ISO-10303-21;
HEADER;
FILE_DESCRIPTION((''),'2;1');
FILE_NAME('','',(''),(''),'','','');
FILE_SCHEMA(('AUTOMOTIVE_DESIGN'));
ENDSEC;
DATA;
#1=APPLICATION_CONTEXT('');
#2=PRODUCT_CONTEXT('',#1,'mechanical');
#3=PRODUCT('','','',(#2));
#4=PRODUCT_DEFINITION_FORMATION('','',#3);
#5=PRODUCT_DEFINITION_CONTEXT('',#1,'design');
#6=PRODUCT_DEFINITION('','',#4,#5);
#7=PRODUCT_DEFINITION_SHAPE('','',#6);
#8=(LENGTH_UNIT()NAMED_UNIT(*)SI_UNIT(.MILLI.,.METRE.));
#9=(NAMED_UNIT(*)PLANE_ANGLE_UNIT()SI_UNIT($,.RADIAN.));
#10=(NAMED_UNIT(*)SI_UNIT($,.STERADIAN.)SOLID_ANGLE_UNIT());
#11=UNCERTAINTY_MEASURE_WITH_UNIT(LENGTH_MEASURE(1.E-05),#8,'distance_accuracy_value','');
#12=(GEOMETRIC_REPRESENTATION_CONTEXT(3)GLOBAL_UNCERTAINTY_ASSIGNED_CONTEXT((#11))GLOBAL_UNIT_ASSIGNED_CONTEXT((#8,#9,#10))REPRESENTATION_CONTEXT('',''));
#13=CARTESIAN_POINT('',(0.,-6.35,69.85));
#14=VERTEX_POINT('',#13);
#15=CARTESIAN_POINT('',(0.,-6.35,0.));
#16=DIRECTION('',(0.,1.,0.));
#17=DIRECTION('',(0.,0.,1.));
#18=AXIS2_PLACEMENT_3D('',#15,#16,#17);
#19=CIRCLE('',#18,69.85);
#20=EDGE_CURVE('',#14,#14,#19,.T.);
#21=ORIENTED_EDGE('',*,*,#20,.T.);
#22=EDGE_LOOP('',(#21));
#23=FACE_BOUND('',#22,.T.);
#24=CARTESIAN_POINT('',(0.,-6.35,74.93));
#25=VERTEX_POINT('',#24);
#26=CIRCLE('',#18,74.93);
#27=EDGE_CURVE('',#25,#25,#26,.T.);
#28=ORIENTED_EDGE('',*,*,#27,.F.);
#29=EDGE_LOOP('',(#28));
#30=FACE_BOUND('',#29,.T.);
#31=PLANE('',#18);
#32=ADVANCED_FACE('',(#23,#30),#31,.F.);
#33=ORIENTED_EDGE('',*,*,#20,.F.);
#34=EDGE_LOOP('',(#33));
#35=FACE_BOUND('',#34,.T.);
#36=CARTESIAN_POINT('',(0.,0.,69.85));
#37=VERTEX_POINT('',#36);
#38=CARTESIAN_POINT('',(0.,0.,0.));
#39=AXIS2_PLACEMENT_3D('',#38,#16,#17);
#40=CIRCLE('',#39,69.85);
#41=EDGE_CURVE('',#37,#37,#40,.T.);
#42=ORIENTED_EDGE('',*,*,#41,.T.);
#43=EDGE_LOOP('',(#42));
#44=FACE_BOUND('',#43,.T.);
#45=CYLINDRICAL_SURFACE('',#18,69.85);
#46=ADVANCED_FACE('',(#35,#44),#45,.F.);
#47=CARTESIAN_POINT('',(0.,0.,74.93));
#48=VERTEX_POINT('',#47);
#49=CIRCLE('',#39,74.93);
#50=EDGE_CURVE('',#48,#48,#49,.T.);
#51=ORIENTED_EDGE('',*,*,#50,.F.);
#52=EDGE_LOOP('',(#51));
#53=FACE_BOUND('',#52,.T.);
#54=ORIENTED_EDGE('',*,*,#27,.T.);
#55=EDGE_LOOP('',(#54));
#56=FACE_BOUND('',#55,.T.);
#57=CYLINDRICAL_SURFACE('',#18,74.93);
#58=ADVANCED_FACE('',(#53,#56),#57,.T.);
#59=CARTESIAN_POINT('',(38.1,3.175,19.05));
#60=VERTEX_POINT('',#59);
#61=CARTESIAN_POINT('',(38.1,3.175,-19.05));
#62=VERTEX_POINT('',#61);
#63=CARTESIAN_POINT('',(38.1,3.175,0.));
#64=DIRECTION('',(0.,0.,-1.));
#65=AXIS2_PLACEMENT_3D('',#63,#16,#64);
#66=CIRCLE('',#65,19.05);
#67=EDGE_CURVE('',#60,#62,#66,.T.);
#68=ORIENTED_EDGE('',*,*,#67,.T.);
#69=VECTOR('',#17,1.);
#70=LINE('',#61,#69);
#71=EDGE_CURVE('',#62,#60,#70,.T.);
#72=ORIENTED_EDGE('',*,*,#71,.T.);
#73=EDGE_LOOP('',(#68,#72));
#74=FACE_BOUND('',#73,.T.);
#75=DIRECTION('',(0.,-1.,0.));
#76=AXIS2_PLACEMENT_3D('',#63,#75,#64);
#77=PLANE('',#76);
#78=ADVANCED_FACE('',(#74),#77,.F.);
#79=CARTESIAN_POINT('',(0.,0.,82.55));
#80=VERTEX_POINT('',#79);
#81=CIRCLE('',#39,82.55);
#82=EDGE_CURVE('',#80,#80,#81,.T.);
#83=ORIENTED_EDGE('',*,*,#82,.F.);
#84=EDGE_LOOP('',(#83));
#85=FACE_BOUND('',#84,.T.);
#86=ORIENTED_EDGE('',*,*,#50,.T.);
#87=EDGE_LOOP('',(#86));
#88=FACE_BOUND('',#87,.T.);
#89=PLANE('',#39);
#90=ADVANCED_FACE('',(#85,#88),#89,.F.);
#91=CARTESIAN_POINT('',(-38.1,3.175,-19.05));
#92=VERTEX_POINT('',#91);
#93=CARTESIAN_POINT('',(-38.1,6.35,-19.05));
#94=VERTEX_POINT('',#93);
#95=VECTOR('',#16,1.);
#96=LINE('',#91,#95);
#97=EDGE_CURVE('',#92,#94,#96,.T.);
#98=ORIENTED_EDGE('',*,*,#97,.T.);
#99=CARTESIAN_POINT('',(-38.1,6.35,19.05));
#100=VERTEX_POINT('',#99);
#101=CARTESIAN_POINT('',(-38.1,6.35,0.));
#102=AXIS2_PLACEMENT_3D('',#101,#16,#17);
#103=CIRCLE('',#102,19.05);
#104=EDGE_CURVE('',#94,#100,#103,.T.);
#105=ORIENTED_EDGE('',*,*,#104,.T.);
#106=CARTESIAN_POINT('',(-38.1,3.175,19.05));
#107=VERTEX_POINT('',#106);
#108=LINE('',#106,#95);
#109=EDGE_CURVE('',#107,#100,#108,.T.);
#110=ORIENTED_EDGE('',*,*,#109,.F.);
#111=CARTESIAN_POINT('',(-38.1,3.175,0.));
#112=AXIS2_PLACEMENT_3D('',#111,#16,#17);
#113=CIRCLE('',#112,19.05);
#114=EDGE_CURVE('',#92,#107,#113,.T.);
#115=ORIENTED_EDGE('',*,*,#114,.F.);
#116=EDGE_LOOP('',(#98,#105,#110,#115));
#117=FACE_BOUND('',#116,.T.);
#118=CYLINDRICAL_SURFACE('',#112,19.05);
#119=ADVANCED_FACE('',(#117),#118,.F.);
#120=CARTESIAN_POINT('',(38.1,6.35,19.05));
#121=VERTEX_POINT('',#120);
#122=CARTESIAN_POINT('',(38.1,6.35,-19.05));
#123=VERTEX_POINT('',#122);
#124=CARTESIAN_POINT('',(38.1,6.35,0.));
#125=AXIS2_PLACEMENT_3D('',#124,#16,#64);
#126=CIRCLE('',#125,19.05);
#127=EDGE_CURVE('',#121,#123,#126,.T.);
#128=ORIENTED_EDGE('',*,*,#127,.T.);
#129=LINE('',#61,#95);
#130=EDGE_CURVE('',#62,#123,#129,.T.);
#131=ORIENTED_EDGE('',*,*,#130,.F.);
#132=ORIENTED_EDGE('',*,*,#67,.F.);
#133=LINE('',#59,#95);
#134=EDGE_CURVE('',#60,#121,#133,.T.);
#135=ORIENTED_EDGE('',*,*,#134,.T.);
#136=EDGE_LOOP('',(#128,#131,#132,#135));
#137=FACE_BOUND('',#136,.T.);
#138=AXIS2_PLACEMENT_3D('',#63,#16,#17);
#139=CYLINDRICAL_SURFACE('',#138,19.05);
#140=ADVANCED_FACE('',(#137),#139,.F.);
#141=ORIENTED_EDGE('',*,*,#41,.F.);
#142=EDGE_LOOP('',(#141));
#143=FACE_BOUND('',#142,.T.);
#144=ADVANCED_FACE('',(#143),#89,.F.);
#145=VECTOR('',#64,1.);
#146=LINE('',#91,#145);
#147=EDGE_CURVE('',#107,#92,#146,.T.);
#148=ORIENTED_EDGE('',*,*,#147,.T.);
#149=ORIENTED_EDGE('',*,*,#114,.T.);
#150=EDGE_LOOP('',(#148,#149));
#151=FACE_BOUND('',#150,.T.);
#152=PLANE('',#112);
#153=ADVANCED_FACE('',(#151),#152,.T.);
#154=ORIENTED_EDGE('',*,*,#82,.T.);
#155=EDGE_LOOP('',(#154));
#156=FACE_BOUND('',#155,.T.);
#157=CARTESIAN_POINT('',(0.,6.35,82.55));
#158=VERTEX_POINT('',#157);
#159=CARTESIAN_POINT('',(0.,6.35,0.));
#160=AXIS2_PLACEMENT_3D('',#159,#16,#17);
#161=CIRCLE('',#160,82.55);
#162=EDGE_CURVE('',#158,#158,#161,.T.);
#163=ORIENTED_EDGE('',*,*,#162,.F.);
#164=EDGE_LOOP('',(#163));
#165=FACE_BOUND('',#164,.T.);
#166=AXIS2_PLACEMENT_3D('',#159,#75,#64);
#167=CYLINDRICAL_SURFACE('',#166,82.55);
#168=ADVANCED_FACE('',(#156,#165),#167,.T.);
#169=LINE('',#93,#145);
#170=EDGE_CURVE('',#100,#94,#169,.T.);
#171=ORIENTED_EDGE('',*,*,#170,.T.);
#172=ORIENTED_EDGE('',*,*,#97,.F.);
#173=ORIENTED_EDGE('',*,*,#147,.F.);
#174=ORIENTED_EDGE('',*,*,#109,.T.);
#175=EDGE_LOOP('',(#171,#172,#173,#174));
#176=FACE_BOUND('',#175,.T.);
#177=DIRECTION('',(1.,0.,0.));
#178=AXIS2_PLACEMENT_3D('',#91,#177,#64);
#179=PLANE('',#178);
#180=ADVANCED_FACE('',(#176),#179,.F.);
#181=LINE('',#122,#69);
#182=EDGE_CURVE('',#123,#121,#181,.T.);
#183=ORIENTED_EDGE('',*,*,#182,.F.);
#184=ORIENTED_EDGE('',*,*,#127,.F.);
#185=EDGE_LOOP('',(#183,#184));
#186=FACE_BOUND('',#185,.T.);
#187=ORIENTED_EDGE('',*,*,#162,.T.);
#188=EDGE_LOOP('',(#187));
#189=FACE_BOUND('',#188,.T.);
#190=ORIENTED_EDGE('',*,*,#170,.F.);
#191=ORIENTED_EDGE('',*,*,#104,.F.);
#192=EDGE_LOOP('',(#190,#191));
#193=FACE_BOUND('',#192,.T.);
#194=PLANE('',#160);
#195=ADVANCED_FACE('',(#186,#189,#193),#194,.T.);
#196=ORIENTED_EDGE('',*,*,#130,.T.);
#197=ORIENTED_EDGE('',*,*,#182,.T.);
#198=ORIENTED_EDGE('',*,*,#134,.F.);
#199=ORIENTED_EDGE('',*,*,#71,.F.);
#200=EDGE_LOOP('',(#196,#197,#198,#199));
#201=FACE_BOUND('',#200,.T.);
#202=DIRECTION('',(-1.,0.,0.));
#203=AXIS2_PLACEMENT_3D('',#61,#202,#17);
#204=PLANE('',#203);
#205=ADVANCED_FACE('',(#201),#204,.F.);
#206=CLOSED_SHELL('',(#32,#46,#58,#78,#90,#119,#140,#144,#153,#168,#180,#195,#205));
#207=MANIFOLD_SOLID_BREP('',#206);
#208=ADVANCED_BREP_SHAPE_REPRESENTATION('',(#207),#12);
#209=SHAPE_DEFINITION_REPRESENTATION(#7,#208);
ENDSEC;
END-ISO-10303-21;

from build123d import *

# Parameters (mm, degrees)
SKETCH1_R           = 82.55
BOSS_EXTRUDE2_DEPTH = 6.35
SKETCH1_4_R         = 74.93
SKETCH1_4_R_2       = 69.85
BOSS_EXTRUDE3_DEPTH = 6.35
CUT_EXTRUDE1_DEPTH  = 3.175


with BuildPart() as part:
    # Sketch1 → Boss-Extrude2 (new body)
    with BuildSketch(Plane(origin=(0, 0, 0), x_dir=(1, 0, 0), z_dir=(0, 1, 0))):
        Circle(SKETCH1_R)
    extrude(amount=BOSS_EXTRUDE2_DEPTH)

    # Sketch1<4> → Boss-Extrude3 (add)
    with BuildSketch(Plane(origin=(0, 0, 0), x_dir=(1, 0, 0), z_dir=(0, 1, 0))):
        Circle(SKETCH1_4_R)
        Circle(SKETCH1_4_R_2, mode=Mode.SUBTRACT)
    extrude(amount=-BOSS_EXTRUDE3_DEPTH)

    # Sketch2 → Cut-Extrude1 (cut)
    with BuildSketch(Plane(origin=(0, 6.35, 0), x_dir=(1, 0, 0), z_dir=(0, 1, 0))):
        with BuildLine():
            Line((-38.1, 19.05), (-38.1, -19.05))
            ThreePointArc((-38.1, -19.05), (-57.15, 0), (-38.1, 19.05))
        make_face()
        with BuildLine():
            Line((38.1, 19.05), (38.1, -19.05))
            ThreePointArc((38.1, -19.05), (57.15, 0), (38.1, 19.05))
        make_face()
    extrude(amount=-CUT_EXTRUDE1_DEPTH, mode=Mode.SUBTRACT)


solid = part.part
